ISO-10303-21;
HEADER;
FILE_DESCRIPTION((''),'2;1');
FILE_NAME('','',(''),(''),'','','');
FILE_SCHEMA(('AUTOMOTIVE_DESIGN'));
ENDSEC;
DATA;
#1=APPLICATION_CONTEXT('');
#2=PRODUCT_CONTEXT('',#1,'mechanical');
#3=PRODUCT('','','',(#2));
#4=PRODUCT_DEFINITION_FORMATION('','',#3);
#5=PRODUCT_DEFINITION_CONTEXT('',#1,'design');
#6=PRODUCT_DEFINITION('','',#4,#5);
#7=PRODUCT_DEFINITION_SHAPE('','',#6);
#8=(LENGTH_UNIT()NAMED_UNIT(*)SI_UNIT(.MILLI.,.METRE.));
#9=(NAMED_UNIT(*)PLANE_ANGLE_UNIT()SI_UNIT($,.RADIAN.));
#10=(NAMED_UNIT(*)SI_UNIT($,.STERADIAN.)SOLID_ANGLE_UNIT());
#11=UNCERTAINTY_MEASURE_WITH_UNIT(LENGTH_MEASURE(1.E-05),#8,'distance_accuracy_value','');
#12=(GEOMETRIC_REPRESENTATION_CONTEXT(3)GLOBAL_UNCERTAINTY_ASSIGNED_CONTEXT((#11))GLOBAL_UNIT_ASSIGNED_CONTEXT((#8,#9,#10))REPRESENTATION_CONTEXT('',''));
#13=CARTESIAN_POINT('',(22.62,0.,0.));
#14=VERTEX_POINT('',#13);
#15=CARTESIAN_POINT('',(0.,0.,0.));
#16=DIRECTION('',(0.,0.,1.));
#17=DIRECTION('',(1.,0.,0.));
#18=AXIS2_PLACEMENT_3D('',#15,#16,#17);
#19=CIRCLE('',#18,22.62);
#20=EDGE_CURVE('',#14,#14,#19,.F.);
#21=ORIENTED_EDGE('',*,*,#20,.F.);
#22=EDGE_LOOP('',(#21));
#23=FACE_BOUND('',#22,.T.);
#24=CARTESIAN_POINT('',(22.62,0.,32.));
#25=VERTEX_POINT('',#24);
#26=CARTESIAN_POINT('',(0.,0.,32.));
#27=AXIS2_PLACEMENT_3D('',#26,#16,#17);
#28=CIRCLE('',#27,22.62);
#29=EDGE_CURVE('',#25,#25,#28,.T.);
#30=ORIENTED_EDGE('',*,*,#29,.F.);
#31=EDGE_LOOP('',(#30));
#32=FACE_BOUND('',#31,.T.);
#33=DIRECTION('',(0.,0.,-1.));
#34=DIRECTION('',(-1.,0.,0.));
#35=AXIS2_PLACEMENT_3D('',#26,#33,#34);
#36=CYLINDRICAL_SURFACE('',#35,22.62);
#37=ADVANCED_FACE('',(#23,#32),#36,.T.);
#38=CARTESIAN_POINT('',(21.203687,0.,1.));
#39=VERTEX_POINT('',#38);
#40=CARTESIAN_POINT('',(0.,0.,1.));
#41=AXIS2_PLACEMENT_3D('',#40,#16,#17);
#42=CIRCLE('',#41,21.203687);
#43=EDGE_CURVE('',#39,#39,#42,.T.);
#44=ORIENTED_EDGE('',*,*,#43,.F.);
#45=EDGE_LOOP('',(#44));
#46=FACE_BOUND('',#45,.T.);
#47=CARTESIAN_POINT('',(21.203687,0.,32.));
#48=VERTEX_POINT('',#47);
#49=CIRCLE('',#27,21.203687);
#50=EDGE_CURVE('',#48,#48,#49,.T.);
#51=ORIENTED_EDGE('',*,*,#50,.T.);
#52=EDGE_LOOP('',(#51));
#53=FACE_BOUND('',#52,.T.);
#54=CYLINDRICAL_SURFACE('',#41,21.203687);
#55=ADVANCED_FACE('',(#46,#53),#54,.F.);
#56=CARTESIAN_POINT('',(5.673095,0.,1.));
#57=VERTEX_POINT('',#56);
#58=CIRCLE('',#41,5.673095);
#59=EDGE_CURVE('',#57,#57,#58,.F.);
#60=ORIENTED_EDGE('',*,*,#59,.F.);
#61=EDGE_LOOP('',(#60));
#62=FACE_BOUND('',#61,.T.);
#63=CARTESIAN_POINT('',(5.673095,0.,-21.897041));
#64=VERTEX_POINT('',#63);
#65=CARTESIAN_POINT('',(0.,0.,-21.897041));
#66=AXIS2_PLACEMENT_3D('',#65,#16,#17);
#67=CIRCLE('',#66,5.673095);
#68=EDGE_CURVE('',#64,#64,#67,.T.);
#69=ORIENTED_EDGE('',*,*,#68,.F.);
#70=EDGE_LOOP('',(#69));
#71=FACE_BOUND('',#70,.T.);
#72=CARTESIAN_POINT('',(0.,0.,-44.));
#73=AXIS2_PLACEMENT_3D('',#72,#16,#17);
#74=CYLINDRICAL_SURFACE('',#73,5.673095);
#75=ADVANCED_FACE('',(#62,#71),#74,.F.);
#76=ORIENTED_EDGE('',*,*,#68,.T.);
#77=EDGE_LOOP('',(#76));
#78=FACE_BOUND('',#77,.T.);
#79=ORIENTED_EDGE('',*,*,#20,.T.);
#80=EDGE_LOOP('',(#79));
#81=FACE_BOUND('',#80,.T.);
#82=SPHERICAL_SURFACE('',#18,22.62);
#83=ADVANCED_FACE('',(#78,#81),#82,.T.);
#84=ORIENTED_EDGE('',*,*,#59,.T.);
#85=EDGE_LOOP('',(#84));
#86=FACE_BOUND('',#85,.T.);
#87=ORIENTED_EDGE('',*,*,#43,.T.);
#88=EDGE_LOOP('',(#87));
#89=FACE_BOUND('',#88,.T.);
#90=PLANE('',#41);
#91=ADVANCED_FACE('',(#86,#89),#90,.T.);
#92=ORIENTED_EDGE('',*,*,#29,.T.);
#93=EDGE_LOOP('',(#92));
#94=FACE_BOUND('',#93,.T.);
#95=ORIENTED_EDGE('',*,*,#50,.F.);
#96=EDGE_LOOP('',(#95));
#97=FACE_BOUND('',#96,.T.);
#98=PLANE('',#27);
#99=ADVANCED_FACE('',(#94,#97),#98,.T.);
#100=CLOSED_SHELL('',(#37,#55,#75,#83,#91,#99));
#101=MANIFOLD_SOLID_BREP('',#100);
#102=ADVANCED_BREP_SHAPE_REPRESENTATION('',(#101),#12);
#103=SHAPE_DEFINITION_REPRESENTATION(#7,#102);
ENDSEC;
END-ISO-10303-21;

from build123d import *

# Parameters (mm, degrees)
SKETCH1_R           = 22.62
BOSS_EXTRUDE1_DEPTH = 32
SKETCH3_R           = 5.673095137
CUT_EXTRUDE1_DEPTH  = 76
SKETCH5_R           = 21.203687462
CUT_EXTRUDE2_DEPTH  = 31


with BuildPart() as part:
    # Sketch1 → Boss-Extrude1 (new body)
    with BuildSketch(Plane.XY):
        Circle(SKETCH1_R)
    extrude(amount=BOSS_EXTRUDE1_DEPTH)

    # Sketch2 one side → Revolve1 (revolve)
    with BuildSketch(Plane(origin=(0, 0, 0), x_dir=(-1, 0, 0), z_dir=(0, 0, -1))):
        with BuildLine():
            ThreePointArc((0, 22.62), (-22.62, 0), (0, -22.62))
            Line((0, -22.62), (0, 0))
            Line((0, 0), (0, 22.62))
        make_face()
    revolve(axis=Axis((0, 0, 0), (0, 1, 0)))

    # Sketch3 → Cut-Extrude1 (cut)
    with BuildSketch(Plane.XY.offset(32)):
        Circle(SKETCH3_R)
    extrude(amount=-CUT_EXTRUDE1_DEPTH, mode=Mode.SUBTRACT)

    # Sketch5 → Cut-Extrude2 (cut)
    with BuildSketch(Plane.XY.offset(32)):
        Circle(SKETCH5_R)
    extrude(amount=-CUT_EXTRUDE2_DEPTH, mode=Mode.SUBTRACT)


solid = part.part
